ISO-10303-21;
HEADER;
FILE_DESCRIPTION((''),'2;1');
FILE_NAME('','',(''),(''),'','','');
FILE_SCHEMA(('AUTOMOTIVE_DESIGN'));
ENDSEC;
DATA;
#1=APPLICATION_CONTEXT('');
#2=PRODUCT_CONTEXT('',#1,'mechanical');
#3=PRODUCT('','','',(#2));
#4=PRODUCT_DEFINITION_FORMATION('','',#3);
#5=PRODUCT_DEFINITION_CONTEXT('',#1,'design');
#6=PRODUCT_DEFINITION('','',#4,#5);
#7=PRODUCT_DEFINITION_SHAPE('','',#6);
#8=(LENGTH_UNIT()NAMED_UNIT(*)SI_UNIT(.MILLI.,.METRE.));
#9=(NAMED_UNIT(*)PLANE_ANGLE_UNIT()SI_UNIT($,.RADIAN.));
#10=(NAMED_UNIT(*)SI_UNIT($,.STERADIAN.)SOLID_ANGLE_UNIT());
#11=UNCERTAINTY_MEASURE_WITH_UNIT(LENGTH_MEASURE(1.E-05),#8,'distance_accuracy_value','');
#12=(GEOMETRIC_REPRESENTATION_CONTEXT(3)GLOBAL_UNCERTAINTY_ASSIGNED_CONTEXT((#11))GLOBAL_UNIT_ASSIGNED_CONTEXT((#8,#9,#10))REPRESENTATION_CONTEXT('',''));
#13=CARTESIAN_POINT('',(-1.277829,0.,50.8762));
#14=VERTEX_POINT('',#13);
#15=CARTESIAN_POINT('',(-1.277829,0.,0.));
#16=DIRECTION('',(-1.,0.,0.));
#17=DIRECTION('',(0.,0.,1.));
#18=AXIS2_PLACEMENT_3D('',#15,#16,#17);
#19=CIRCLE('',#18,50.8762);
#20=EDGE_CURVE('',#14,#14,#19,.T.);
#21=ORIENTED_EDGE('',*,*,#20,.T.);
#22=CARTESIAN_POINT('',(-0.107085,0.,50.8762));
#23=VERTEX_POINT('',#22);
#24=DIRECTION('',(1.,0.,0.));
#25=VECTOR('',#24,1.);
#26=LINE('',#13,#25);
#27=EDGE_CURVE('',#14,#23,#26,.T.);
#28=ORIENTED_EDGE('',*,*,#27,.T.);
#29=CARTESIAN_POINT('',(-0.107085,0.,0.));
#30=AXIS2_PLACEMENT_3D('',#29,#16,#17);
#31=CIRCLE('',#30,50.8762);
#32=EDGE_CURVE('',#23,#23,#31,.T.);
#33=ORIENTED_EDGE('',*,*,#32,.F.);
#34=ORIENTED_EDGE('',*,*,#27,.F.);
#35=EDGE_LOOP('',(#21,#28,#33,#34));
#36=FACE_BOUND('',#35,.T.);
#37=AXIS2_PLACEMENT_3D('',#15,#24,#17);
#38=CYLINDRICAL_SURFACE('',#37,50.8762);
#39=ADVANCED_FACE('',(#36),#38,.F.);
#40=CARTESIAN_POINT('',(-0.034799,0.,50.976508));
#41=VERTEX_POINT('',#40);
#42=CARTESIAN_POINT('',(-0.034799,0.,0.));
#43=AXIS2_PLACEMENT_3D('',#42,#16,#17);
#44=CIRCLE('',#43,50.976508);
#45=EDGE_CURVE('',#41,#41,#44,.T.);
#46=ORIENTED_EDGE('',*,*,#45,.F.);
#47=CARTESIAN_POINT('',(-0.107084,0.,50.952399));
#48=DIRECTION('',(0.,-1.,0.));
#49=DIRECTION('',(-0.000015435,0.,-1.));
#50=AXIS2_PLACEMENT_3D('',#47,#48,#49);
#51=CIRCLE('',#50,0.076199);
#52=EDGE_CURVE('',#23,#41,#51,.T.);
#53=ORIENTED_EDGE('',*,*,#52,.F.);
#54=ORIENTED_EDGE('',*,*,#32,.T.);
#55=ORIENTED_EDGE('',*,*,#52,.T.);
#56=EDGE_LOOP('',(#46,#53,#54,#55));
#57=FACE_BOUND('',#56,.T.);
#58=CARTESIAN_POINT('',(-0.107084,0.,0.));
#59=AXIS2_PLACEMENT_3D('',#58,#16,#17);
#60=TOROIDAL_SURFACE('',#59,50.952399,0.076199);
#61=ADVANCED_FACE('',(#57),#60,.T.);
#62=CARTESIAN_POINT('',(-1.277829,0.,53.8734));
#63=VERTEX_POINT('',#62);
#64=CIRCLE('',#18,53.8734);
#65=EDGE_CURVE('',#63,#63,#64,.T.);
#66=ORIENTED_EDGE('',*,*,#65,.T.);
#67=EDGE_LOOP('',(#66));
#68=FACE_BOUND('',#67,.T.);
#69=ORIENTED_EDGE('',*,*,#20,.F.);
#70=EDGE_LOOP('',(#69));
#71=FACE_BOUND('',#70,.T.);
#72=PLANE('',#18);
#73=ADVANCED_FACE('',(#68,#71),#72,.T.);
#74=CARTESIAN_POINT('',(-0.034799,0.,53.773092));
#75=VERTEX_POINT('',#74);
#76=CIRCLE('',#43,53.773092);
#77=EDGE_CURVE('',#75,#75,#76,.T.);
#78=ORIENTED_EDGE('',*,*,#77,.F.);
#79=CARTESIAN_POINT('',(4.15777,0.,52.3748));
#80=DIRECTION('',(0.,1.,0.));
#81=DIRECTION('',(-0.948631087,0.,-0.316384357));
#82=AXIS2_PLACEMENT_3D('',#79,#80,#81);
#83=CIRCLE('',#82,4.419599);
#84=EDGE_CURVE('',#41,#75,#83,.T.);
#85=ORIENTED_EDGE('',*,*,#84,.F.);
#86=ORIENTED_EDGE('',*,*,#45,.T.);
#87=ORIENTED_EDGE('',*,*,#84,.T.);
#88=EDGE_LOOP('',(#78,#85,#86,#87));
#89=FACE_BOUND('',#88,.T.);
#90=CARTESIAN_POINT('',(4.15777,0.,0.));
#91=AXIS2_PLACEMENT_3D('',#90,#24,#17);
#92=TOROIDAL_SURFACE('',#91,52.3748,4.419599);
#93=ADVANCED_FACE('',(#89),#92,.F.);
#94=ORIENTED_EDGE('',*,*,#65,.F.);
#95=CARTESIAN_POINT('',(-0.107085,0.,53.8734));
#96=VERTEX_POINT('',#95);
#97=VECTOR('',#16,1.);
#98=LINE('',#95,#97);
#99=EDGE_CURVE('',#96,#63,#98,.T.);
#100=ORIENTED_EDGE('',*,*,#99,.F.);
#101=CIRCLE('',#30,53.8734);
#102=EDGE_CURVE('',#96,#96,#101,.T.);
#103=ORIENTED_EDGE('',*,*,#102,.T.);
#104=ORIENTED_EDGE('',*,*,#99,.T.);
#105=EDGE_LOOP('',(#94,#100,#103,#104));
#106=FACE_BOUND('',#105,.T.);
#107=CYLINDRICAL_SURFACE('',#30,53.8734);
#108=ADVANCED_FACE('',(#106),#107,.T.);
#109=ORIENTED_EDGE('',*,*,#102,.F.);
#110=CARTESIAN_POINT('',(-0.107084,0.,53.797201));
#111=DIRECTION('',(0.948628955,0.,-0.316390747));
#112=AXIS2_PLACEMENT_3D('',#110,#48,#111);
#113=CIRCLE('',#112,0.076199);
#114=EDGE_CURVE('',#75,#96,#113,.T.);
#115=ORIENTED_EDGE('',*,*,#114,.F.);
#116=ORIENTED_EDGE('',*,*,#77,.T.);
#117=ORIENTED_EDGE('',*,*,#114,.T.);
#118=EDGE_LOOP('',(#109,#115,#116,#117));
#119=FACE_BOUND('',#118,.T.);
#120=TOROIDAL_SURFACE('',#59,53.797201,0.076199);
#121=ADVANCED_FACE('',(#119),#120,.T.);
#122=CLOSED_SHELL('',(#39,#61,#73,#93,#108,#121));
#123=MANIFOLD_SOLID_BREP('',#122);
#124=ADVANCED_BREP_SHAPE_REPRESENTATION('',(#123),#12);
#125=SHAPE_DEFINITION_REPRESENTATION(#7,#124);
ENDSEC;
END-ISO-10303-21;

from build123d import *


with BuildPart() as f1:
    # F0 (on Front) → F1 (revolve)
    with BuildSketch(Plane.XZ):
        with BuildLine():
            ThreePointArc((-0.034799, 53.773092), (-0.045264, 53.84175), (-0.107085, 53.8734))
            Line((-0.107085, 53.8734), (-1.277829, 53.8734))
            Line((-1.277829, 53.8734), (-1.277829, 50.8762))
            Line((-1.277829, 50.8762), (-0.107085, 50.8762))
            ThreePointArc((-0.107085, 50.8762), (-0.045264, 50.90785), (-0.034799, 50.976508))
            ThreePointArc((-0.034799, 50.976508), (-0.261829, 52.3748), (-0.034799, 53.773092))
        make_face()
    revolve(axis=Axis((-3.079263, 0, 0), (-1, 0, 0)))


solid = f1.part
